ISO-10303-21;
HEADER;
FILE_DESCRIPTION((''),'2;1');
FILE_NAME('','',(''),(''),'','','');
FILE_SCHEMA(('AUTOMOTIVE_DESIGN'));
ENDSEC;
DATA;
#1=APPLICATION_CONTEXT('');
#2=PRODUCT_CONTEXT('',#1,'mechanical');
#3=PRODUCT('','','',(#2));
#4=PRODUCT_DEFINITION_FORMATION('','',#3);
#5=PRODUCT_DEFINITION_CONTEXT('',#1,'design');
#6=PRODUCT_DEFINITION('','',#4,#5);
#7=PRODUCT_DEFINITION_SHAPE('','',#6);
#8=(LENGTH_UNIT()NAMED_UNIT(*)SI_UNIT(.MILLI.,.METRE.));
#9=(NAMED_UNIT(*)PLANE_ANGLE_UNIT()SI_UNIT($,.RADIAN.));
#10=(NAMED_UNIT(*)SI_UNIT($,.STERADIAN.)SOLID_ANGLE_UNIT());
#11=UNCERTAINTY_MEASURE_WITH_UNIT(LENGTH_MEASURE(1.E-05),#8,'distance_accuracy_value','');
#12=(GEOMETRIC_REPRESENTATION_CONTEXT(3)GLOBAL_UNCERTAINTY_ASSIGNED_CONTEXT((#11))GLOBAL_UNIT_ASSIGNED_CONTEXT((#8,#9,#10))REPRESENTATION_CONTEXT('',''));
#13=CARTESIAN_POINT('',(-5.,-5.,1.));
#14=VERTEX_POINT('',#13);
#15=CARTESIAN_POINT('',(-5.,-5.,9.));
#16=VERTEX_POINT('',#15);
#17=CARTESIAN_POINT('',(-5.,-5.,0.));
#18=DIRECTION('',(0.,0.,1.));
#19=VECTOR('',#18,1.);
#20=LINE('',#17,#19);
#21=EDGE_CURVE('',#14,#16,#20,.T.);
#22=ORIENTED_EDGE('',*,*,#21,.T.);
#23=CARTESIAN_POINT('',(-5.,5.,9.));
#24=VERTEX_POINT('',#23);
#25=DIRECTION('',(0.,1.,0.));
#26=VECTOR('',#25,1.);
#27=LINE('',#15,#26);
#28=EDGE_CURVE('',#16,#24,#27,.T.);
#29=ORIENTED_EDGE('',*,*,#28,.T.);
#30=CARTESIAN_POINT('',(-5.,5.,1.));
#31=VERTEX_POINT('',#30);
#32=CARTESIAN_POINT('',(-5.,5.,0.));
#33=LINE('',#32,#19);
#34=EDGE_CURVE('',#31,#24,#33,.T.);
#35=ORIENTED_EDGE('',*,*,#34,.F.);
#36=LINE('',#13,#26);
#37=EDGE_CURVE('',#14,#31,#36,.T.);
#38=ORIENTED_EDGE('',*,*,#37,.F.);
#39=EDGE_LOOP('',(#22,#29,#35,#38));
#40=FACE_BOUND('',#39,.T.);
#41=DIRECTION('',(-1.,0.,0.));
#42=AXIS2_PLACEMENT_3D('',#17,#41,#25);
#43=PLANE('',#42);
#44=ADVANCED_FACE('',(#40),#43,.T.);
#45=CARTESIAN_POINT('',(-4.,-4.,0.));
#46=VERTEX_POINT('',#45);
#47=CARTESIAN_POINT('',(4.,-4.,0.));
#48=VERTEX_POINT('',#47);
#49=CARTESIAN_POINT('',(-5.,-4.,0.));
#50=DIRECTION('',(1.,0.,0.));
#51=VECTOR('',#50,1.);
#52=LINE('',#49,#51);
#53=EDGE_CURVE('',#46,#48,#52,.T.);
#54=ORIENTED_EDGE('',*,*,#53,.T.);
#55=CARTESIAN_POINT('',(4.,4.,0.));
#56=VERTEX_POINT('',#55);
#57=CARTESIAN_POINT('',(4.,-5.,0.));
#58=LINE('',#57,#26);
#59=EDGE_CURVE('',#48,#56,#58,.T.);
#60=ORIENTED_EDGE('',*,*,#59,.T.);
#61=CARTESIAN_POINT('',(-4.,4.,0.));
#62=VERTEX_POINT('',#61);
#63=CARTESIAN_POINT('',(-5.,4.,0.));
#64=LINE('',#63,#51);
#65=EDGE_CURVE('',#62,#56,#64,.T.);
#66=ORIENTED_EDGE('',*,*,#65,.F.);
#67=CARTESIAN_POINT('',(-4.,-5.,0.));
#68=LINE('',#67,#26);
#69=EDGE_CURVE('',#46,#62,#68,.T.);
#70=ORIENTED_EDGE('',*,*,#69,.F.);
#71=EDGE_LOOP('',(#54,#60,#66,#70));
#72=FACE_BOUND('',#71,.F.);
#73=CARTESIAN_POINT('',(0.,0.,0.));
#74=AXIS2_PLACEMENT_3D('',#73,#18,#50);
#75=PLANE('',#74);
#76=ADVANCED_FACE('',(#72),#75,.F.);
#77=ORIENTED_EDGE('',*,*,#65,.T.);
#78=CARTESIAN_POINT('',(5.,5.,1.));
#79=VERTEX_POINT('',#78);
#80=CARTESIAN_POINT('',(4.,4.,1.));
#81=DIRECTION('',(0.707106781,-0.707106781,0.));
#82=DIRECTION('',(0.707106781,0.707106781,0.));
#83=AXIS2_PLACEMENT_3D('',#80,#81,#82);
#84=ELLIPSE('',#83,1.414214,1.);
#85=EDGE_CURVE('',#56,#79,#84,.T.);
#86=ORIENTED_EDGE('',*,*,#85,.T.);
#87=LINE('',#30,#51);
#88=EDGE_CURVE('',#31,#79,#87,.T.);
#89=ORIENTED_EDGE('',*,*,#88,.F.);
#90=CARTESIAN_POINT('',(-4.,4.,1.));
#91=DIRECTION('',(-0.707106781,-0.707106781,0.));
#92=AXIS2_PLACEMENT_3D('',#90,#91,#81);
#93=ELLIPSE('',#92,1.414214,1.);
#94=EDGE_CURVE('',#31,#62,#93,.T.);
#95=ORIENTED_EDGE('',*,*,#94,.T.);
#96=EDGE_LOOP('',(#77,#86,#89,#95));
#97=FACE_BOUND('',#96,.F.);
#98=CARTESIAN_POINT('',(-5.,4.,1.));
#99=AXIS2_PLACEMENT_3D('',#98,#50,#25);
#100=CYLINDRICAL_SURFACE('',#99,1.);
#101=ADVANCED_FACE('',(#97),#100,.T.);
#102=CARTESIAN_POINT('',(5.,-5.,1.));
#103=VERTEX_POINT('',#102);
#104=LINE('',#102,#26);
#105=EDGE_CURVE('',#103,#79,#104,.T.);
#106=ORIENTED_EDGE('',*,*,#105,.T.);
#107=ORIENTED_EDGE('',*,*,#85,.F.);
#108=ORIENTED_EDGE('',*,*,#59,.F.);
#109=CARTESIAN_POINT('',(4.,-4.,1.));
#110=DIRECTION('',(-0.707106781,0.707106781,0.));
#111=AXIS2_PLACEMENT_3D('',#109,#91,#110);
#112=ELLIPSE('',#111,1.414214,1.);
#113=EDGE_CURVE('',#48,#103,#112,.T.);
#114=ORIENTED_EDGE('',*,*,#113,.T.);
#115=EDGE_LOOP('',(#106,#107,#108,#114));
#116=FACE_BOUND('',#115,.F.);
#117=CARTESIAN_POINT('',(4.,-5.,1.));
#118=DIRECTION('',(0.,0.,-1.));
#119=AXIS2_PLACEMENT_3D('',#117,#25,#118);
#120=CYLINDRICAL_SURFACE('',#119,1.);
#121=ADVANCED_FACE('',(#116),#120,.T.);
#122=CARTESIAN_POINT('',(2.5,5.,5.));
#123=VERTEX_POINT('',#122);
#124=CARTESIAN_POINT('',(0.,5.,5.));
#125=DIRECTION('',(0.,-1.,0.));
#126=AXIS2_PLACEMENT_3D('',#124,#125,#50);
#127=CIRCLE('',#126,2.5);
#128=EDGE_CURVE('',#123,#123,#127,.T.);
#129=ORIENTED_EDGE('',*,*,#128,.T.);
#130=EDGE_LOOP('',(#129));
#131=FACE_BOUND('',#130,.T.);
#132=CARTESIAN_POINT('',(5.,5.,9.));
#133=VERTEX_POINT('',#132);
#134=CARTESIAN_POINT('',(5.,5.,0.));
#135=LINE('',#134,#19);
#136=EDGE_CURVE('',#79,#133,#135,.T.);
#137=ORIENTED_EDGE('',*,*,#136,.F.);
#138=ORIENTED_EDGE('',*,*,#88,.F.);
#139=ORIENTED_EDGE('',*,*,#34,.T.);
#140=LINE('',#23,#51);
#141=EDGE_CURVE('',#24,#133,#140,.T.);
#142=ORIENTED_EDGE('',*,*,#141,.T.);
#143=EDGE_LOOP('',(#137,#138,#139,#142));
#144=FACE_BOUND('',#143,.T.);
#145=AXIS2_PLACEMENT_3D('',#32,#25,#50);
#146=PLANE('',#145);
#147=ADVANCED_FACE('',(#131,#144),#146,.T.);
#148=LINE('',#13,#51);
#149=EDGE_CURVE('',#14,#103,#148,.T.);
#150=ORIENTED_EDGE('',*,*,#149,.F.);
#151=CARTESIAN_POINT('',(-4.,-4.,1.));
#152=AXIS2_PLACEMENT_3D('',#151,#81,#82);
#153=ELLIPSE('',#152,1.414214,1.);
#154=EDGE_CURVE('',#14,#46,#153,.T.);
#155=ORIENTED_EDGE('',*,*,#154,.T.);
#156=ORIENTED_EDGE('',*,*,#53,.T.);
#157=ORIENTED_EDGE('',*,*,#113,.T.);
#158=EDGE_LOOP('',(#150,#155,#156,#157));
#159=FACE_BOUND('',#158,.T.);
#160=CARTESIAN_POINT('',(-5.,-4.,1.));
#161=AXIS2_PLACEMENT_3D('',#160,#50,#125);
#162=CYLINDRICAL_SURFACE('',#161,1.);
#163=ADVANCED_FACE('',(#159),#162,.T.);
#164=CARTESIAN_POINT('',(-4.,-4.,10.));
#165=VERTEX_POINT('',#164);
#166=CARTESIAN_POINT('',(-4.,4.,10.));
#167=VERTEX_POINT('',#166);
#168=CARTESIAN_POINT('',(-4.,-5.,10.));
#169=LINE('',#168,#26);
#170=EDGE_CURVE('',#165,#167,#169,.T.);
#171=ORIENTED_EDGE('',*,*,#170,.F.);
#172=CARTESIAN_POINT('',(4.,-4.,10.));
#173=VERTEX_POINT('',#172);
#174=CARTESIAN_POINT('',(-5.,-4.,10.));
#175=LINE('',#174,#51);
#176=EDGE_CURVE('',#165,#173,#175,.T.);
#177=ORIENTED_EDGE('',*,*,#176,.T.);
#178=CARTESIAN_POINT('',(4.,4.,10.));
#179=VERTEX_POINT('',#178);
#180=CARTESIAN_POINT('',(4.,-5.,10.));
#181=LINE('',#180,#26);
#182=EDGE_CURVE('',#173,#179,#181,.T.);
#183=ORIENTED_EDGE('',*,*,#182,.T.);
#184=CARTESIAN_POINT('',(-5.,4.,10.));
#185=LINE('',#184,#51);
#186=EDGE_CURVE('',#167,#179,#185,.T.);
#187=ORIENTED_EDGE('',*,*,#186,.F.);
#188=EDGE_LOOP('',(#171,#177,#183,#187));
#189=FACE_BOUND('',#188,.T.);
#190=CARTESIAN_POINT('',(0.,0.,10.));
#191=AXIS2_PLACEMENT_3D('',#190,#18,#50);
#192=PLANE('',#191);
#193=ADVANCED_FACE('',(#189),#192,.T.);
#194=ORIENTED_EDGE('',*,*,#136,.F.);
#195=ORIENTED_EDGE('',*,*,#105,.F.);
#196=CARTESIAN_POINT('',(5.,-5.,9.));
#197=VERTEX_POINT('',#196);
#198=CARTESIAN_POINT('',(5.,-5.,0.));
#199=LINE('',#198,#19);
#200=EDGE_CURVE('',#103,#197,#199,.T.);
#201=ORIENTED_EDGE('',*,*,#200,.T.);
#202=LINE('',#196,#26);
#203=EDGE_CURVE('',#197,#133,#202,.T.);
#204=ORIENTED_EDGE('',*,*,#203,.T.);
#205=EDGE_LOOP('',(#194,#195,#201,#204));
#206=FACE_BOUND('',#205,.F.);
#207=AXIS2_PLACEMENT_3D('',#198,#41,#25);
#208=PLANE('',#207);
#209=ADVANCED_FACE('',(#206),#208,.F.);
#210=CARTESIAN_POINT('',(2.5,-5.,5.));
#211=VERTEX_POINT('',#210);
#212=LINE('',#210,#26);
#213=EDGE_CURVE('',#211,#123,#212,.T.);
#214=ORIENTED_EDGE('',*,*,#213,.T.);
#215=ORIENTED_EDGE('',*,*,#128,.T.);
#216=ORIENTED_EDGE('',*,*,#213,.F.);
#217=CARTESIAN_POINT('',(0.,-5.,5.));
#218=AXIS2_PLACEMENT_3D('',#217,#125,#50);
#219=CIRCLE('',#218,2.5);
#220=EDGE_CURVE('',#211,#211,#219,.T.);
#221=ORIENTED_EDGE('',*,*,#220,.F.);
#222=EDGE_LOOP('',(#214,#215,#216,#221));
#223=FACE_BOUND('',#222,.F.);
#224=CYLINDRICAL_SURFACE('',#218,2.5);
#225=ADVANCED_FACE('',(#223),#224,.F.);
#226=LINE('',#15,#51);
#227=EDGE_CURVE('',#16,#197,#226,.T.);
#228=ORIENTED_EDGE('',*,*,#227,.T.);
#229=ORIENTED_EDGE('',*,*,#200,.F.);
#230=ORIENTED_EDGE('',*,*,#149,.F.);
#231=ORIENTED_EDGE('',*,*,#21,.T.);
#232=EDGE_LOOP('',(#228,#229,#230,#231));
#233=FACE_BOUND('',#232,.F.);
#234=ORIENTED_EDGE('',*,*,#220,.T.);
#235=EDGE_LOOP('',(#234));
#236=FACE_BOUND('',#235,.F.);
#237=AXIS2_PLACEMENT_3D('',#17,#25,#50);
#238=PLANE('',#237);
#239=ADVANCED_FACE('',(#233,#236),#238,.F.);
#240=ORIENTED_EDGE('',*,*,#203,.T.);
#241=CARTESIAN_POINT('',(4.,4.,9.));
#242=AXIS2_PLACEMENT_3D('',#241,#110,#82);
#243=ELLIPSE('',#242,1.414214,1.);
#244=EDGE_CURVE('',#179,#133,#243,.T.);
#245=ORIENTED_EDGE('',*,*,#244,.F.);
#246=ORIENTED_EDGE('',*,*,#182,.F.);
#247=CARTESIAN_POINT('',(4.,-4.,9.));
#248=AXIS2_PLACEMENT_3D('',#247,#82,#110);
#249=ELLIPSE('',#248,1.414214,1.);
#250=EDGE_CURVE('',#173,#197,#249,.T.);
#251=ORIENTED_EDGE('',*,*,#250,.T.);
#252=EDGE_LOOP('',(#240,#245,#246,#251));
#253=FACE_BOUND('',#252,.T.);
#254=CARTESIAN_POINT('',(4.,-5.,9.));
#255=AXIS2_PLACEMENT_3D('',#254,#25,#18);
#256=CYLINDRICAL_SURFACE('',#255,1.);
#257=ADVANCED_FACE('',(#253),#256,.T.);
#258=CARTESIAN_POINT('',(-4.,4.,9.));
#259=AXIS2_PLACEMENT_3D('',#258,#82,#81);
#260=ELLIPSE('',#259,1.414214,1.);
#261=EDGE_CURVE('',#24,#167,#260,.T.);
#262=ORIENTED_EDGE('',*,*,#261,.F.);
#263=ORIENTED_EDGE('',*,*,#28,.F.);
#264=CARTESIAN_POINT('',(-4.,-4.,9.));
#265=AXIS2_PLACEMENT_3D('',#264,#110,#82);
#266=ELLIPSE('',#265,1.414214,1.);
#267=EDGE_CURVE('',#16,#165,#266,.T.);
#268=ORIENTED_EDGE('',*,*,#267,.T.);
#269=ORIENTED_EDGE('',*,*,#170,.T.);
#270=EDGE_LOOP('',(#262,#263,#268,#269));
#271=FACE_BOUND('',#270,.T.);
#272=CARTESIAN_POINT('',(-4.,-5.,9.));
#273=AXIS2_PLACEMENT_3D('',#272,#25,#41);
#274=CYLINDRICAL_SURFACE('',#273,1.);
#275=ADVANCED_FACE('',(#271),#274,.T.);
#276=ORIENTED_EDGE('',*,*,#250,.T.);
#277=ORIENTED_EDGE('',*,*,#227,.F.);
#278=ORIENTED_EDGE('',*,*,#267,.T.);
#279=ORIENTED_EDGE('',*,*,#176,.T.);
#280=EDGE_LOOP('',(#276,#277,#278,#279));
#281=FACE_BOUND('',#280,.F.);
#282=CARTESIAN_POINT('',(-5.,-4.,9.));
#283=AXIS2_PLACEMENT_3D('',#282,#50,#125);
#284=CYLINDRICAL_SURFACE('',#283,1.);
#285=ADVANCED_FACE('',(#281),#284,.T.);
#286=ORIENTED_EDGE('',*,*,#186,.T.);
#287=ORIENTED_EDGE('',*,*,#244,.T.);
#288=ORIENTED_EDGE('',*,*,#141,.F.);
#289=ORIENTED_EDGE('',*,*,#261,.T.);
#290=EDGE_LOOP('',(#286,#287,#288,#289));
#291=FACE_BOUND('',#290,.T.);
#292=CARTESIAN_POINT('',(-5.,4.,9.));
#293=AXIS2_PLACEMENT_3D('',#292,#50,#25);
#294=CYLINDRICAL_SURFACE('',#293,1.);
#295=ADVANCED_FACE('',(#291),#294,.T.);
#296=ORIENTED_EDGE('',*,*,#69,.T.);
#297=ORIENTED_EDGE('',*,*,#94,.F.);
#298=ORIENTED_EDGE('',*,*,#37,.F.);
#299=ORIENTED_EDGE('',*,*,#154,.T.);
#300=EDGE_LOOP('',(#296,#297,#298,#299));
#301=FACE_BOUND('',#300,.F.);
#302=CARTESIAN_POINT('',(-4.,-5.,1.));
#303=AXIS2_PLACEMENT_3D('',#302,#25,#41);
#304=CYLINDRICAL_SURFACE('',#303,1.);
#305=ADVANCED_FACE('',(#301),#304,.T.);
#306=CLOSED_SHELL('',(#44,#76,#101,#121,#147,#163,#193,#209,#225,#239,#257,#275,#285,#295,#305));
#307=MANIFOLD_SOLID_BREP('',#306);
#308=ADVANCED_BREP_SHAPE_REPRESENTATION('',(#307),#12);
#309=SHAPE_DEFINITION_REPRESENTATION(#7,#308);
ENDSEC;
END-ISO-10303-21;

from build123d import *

# Parameters (mm, degrees)
F0_W     = 10
F0_H     = 10
F1_DEPTH = 10
F2_R     = 2.5
F3_DEPTH = 10.1
F4_R     = 1


with BuildPart() as f1:
    # F0 (on Top) → F1 (new body)
    with BuildSketch(Plane.XY):
        Rectangle(F0_W, F0_H)
    extrude(amount=F1_DEPTH)

    # F2 (on face) → F3 (cut)
    with BuildSketch(Plane.XZ.offset(5)):
        with Locations((0, 5)):
            Circle(F2_R)
    extrude(amount=-F3_DEPTH, mode=Mode.SUBTRACT)

    # F4
    f4_edges = [f1.edges().sort_by_distance(p)[0] for p in [
        (5, 0, 10),
        (0, 5, 10),
        (-5, 0, 10),
        (0, -5, 10),
        (5, 0, 0),
        (0, 5, 0),
        (-5, 0, 0),
        (0, -5, 0),
    ]]
    fillet(f4_edges, radius=F4_R)


solid = f1.part
